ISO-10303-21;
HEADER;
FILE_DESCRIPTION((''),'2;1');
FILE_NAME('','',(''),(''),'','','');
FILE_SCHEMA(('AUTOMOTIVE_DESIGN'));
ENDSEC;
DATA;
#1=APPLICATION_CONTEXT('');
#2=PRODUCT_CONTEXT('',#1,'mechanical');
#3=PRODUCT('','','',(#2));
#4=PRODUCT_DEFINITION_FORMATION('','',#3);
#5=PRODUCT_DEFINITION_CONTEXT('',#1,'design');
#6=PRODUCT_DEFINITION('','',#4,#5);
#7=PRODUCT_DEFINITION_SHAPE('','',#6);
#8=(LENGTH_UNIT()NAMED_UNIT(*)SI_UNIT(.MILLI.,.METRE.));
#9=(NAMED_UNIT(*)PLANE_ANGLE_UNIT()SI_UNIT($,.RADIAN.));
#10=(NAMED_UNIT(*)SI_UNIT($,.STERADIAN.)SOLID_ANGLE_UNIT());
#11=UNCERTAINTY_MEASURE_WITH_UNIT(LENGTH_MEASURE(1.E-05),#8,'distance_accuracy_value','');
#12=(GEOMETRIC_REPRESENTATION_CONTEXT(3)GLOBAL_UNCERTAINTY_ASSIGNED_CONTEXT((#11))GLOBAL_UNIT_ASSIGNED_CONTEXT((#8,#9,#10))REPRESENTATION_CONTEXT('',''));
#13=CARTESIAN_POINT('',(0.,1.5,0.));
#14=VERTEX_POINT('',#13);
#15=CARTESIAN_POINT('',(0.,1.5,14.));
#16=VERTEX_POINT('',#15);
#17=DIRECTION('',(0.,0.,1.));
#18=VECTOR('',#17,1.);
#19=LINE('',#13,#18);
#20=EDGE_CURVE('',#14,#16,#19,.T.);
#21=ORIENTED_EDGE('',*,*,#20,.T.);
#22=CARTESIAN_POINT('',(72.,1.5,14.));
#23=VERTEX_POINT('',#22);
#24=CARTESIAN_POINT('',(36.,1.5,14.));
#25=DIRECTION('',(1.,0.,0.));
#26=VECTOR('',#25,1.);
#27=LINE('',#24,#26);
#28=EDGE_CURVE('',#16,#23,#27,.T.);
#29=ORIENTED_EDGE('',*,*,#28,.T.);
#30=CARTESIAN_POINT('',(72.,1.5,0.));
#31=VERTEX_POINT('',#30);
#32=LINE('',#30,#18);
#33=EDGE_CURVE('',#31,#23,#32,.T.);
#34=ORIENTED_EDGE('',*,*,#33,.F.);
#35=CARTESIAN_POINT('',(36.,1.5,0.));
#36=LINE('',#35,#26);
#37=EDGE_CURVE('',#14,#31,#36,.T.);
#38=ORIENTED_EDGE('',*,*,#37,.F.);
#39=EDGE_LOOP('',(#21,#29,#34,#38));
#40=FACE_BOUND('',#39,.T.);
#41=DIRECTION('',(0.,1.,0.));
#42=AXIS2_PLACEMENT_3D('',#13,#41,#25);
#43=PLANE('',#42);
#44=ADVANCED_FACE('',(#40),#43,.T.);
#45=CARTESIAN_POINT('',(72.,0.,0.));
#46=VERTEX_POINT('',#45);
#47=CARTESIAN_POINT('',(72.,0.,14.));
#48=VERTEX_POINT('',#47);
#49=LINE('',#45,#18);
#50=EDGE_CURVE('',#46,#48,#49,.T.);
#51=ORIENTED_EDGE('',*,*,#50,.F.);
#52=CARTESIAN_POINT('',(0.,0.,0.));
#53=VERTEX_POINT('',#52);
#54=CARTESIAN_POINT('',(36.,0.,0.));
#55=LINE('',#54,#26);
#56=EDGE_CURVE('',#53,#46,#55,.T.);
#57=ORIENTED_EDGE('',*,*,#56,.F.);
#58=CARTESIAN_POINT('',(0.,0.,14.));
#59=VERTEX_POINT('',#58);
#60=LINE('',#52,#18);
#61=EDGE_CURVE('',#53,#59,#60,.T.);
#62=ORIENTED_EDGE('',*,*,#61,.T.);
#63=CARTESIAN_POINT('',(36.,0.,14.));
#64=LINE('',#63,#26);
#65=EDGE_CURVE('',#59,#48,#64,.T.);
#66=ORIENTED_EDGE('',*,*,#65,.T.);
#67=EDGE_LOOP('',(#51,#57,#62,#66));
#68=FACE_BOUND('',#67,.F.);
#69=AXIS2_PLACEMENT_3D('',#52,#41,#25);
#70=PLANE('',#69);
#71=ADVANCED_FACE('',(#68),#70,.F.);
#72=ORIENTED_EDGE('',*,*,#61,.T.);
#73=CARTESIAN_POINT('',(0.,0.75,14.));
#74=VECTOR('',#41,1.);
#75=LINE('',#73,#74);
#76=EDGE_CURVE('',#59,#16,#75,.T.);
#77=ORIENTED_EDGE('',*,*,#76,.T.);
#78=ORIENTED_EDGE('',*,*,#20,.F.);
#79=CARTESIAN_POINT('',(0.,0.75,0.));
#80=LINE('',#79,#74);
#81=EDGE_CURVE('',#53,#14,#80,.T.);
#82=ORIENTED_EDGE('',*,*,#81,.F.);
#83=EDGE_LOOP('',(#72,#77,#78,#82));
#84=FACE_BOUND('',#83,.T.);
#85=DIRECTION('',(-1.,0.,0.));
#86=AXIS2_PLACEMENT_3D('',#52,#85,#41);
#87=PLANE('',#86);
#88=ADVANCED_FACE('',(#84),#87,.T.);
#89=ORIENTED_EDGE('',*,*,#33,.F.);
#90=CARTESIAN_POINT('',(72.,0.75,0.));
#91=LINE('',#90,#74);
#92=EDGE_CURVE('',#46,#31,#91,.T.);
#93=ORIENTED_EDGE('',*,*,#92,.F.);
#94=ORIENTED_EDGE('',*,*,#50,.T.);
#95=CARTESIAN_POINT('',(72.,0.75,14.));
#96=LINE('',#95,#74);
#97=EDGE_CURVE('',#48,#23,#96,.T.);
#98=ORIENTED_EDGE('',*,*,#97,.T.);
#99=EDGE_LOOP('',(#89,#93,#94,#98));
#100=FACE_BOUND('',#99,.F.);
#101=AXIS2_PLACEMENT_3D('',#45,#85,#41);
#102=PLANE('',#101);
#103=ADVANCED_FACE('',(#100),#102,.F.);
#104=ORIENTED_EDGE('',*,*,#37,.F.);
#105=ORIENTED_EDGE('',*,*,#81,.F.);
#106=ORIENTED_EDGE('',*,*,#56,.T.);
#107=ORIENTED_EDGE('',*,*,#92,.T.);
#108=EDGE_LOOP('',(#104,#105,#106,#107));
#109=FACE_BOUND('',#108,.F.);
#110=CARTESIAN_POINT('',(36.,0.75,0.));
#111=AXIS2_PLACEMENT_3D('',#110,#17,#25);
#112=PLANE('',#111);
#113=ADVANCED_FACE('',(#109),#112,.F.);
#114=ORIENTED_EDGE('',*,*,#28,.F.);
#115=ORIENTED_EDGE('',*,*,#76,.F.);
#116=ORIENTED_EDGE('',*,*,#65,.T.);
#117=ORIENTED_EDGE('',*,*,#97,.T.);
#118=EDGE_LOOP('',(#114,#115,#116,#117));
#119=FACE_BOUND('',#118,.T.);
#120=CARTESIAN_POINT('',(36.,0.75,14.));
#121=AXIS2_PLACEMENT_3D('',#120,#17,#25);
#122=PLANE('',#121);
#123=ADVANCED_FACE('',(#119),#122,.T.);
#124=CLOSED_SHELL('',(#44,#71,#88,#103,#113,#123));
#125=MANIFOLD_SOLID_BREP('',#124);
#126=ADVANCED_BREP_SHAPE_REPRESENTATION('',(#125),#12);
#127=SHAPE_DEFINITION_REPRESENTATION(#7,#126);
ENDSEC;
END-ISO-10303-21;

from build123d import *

# Parameters (mm, degrees)
BOX_W     = 72
BOX_H     = 1.5
BOX_DEPTH = 14


with BuildPart() as part:
    # Box → Box (new body)
    with BuildSketch(Plane.XY):
        with Locations((36, 0.75)):
            Rectangle(BOX_W, BOX_H)
    extrude(amount=BOX_DEPTH)


solid = part.part
